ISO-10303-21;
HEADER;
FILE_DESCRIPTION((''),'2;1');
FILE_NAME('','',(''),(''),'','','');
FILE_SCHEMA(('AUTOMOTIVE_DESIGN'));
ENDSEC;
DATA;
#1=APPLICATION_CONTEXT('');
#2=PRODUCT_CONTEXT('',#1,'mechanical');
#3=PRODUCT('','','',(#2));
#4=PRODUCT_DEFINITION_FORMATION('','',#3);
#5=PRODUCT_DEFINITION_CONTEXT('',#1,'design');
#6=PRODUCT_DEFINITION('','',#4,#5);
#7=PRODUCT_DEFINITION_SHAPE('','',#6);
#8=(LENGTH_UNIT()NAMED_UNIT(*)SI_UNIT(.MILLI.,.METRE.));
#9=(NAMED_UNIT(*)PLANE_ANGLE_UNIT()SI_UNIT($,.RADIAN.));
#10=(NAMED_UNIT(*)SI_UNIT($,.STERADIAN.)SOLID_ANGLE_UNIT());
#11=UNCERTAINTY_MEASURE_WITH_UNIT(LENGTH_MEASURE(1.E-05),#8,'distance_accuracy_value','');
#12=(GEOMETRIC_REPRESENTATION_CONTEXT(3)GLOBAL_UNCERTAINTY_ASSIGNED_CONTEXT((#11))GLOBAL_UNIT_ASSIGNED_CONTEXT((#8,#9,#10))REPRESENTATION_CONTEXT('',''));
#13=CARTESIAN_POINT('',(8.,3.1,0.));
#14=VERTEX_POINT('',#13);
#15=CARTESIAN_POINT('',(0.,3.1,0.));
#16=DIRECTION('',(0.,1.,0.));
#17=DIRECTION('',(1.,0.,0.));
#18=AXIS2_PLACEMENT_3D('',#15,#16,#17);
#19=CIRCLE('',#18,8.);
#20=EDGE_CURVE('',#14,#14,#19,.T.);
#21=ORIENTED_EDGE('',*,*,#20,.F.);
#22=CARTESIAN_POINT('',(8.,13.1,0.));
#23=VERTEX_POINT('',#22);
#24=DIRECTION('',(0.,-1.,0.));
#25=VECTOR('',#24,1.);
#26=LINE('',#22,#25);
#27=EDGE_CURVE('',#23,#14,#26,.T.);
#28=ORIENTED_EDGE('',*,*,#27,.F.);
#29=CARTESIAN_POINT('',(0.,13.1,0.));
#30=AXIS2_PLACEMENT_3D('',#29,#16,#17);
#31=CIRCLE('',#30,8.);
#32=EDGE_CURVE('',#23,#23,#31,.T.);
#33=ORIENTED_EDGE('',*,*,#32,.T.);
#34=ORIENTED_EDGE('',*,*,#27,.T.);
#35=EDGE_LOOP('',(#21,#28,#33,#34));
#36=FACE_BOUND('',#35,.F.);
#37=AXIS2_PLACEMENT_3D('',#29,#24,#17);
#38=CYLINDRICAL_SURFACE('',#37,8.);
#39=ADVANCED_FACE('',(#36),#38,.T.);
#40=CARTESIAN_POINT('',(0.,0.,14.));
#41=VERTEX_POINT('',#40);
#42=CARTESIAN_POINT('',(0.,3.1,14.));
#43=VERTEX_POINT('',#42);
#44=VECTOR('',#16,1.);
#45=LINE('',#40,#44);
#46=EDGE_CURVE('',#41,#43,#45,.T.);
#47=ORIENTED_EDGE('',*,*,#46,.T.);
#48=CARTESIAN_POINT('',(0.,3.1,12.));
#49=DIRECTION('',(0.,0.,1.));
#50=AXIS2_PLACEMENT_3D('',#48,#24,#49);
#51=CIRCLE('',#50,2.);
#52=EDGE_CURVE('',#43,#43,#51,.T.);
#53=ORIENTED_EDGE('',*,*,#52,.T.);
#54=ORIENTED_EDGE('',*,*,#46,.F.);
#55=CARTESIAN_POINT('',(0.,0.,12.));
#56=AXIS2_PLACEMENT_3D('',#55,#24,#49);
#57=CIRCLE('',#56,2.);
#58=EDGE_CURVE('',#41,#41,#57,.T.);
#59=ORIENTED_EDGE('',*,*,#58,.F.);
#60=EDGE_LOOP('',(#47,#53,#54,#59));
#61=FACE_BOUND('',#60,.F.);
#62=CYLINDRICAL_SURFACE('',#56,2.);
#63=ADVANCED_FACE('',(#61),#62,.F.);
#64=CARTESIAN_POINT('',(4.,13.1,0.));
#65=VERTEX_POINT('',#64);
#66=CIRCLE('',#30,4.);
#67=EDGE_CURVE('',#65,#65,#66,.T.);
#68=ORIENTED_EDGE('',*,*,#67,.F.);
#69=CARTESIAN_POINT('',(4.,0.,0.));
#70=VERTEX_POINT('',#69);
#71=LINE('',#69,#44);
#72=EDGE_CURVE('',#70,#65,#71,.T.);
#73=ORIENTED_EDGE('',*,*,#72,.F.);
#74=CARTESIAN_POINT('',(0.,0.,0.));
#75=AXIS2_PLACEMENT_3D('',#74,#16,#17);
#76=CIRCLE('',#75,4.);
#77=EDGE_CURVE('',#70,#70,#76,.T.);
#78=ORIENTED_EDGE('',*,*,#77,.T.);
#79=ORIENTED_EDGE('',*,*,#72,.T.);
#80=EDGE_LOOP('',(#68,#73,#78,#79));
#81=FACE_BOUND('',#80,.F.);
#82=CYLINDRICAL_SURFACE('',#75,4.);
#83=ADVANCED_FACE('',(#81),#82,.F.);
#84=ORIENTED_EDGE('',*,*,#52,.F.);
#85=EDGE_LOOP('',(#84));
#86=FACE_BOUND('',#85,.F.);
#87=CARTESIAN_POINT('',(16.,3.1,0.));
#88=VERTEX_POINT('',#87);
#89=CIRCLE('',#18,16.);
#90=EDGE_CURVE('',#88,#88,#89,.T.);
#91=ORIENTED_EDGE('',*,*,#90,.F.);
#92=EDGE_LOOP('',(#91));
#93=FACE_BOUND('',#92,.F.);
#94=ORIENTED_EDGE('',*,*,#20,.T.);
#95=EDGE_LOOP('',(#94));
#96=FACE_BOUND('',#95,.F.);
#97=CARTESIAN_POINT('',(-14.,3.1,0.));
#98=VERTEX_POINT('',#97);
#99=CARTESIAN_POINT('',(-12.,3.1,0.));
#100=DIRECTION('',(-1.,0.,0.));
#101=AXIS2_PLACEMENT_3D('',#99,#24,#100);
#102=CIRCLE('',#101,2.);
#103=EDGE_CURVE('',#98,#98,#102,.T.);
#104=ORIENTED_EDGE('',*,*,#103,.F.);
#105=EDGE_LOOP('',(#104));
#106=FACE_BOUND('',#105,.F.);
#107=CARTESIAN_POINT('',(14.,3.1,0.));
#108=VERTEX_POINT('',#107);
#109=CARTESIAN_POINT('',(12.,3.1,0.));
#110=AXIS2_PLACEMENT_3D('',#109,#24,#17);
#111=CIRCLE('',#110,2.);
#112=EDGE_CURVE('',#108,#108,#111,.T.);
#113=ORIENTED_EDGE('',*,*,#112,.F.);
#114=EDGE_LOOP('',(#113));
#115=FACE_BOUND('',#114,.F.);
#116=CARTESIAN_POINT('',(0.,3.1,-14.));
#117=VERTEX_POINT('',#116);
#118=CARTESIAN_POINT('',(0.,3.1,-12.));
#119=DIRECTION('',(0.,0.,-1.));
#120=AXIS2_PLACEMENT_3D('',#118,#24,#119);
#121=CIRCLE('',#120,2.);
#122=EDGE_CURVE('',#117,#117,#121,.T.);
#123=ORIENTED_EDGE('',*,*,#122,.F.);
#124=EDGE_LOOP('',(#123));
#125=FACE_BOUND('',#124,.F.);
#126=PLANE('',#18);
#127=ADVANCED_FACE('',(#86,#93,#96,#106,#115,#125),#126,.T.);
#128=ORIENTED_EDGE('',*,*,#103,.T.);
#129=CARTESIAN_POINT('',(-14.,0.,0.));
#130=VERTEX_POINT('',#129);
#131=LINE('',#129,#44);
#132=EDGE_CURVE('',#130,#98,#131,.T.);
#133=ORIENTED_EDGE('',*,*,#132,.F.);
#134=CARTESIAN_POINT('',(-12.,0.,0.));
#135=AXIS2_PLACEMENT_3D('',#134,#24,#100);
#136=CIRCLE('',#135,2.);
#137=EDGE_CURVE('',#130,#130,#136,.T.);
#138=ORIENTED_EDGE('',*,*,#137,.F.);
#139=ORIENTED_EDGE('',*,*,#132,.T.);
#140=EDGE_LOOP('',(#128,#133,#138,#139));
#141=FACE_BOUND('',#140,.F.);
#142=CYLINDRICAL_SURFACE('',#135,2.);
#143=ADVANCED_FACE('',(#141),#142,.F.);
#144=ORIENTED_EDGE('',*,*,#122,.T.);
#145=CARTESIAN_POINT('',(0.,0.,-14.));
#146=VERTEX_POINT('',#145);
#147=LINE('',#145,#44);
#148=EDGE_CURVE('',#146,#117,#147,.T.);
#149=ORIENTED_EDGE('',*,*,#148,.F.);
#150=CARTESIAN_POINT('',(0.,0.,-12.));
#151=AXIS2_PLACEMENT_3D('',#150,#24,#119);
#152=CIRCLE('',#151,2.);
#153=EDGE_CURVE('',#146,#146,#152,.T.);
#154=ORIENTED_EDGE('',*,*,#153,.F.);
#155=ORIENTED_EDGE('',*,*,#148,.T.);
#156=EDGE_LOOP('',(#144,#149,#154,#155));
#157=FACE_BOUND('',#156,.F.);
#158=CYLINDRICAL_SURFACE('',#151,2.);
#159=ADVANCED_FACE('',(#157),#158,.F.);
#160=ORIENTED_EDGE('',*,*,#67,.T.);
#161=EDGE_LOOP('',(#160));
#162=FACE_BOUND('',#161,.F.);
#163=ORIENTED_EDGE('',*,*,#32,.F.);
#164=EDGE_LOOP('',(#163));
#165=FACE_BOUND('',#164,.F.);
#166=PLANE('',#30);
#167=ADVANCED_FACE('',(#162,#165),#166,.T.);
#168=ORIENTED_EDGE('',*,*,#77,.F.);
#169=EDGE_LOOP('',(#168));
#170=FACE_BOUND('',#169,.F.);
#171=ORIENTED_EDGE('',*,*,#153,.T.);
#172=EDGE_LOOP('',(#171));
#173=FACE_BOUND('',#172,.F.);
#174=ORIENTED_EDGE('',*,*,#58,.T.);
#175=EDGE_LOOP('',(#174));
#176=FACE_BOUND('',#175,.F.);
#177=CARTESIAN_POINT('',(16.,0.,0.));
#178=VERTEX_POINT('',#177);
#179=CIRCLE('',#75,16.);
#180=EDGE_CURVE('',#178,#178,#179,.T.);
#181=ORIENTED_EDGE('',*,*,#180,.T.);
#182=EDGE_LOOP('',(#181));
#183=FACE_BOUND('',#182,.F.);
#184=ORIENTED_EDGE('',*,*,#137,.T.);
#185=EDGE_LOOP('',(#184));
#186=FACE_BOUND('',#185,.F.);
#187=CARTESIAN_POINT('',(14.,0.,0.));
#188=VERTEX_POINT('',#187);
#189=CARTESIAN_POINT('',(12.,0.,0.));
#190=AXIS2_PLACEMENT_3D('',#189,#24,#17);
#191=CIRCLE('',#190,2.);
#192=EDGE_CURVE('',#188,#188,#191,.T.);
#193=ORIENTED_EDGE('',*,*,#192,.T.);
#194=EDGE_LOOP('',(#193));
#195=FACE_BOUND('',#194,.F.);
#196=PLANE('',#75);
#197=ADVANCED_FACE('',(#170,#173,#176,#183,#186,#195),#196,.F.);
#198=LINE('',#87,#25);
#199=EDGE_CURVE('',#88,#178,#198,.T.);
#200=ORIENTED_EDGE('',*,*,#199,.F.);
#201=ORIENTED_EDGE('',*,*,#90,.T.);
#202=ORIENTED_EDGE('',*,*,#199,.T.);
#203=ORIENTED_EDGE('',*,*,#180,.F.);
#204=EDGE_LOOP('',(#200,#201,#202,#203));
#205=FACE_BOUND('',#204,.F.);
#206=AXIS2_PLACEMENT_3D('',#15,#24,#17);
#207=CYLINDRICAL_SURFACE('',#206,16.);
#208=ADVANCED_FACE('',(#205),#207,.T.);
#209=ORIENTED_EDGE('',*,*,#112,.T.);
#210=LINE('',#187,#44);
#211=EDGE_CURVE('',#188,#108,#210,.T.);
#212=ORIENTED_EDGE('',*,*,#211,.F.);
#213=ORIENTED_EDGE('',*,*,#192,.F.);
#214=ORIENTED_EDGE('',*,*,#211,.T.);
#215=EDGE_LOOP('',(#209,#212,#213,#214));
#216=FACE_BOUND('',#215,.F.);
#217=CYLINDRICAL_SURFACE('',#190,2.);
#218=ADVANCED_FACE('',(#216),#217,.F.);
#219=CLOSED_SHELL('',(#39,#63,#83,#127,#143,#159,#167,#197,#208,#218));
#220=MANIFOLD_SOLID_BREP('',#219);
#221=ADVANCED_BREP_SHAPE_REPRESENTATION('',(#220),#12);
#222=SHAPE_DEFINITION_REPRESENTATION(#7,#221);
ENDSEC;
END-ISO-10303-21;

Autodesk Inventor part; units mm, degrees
ref_plane "YZ Plane" through (0, 0, 0) normal (1, 0, 0) x (0, 1, 0)
ref_plane "XZ Plane" through (0, 0, 0) normal (0, 1, 0) x (-1, 0, 0)
ref_plane "XY Plane" through (0, 0, 0) normal (0, 0, 1) x (1, 0, 0)
sketch "Sketch1" plane through (0, 0, 0) normal (0, 0, 1) x (1, 0, 0)
  line L0 (0, 0) -> (0, 13.1) construction
  line L1 (4, 0) -> (4, 13.1)
  line L2 (4, 13.1) -> (8, 13.1)
  line L3 (8, 13.1) -> (8, 3.1)
  line L4 (8, 3.1) -> (16, 3.1)
  line L5 (16, 3.1) -> (16, 0)
  line L6 (16, 0) -> (4, 0)
  point P0 (8, 8.1)
  point P1 (8, 8.1)
  dimension "d0" = 13.1
  dimension "d1" = 10
  dimension "d2" = 3.1
  dimension "d3" = 32
  dimension "d4" = 16
  dimension "d5" = 8
revolve "Revolution1" add sketch "Sketch1" angle 360 about axis through (0, 0, 0) along (0, 1, 0)
sketch "Sketch2" plane through (0, 0, 0) normal (0, -1, 0) x (1, 0, 0)
  circle A0 centre (12, 0) radius 2
  line L0 (13.9571, 0.4121) -> (15.9947, 0.4121) construction
  circle A1 centre (0, 0) radius 16 construction
  line L1 (0, 0) -> (9.3261, 0) construction
  dimension "d7" = 4
  dimension "d26" = 12
extrude "MountHole" cut sketch "Sketch2" against normal through all
pattern_circular "Circular Pattern1" count 4 over 360 about axis through (0, 6.55, 0) along (0, -1, 0) of "MountHole"
equation "\"d0\" = flangeCoupling_height"
equation "\"d1\" = flangeCoupling_collarHeight"
equation "\"d2\" = flangeCoupling_flangeHeight"
equation "\"d3\" = flangeCoupling_flangeDiameter"
equation "\"d4\" = flangeCoupling_collarOuterDiameter"
equation "\"d5\" = flangeCoupling_innerDiameter"
equation "\"d7\" = flangeCoupling_mountHoleDiameter + gap"
equation "\"d26\" = flangeCoupling_mountHoleCenterToCouplingCenter"
equation "\"gap\" = 0.1"
equation "\"airgap\" = 0.4"
equation "\"wallgap\" = 2"
equation "\"driveMagnet_height\" = 5"
equation "\"halbachMagnet_height\" = 3"
equation "\"rotorBandBolt_diameter\" = 2"
equation "\"rotorBandBolt_headDiameter\" = 3.98"
equation "\"rotorBandBolt_headHeight\" = 2"
equation "\"rotorBandHexNut_sideToSide\" = 4"
equation "\"rotorBandHexNut_height\" = 1.2"
equation "\"rotorBandSquareNut_sideLength\" = 4"
equation "\"rotorBandSquareNut_height\" = 1.2"
equation "\"sensorMagnet_diameter\" = 5"
equation "\"sensorMagnet_height\" = 2.66667"
equation "\"rotorRadius\" = 2 * gap + driveMagnet_centerSpacingRadius + driveMagnet_length + wallgap"
equation "\"rotor_mountingLipHeight\" = 0.5 * statorThickness"
equation "\"shaftDiameter\" = 8"
equation "\"flangeBearing_innerDiameter\" = shaftDiameter"
equation "\"flangeBearing_outerDiameter\" = 16"
equation "\"flangeBearing_flangeDiameter\" = 18"
equation "\"flangeBearing_height\" = 5"
equation "\"flangeBearing_flangeHeight\" = 1"
equation "\"statorThickness\" = coilThickness + 2 * wallgap"
equation "\"rotorBandThickness\" = wallgap + rotorBandBolt_headHeight + gap"
equation "\"flangeCoupling_innerDiameter\" = shaftDiameter"
equation "\"flangeCoupling_collarOuterDiameter\" = 16"
equation "\"flangeCoupling_flangeDiameter\" = 32"
equation "\"flangeCoupling_collarHeight\" = 10"
equation "\"flangeCoupling_flangeHeight\" = 3.1"
equation "\"flangeCoupling_flangeHoleDiameter\" = 3.9"
equation "\"flangeCoupling_flangeHoleEdgeToEdge\" = 2.05"
equation "\"flangeCoupling_height\" = flangeCoupling_collarHeight + flangeCoupling_flangeHeight"
equation "\"flangeCoupling_mountHoleDiameter\" = 3.9"
equation "\"flangeCoupling_mountHoleEdgeToEdge\" = 2.05"
equation "\"statorRadius\" = driveMagnet_length + driveMagnet_centerSpacingRadius + 2 * gap"
equation "\"coilThickness\" = 12"
equation "\"statorMountBolt_diameter\" = 4"
equation "\"statorMountBolt_headDiameter\" = 7"
equation "\"statorMountBolt_headHeight\" = 4"
equation "\"statorMountBolt_shaftLength\" = coilThickness + flangeCoupling_flangeHeight + wallgap"
equation "\"statorMountHexNut_height\" = 4"
equation "\"statorMountHexNut_sideToSide\" = 8"
equation "\"sensorMagnet_ringRadius\" = 0.5 * driveMagnet_centerSpacingRadius + 2 * wallgap"
equation "\"coil_percentCoverage\" = 0.6"
equation "\"statorSpokeDegrees\" = 4deg"
equation "\"coil_bulge\" = 3"
equation "\"statorCoilHexNut_height\" = 1.2"
equation "\"statorCoilBolt_headHeight\" = 2"
equation "\"statorCoilBolt_diameter\" = 2"
equation "\"statorCoilBolt_headDiameter\" = 3.98"
equation "\"statorCoilHexNut_sideToSide\" = 4"
equation "\"magnetWire_outerDiameter\" = 0.8128"
equation "\"printingLayerHeight\" = 0.2"
equation "\"circuitBoard_height\" = 1.6"
equation "\"hallEffectSensor_width\" = 1.6"
equation "\"hallEffectSensor_length\" = 3"
equation "\"hallEffectSensor_height\" = 1.1"
equation "\"hallEffectSensor_pinLength\" = 0.6"
equation "\"circuitboardMountHexNut_height\" = 1.2"
equation "\"circuitboardMountHexNut_sideToSide\" = 4"
equation "\"circuitboardMountBolt_headHeight\" = 2"
equation "\"circuitboardMountBolt_shaftLength\" = coilThickness"
equation "\"circuitboardMountBolt_diameter\" = 2"
equation "\"circuitboardMountBolt_headDiameter\" = 3.98"
equation "\"statorShellBolt_headDiameter\" = 5.68"
equation "\"statorShellHexNut_height\" = 2.3"
equation "\"statorShellBolt_shaftLength\" = statorThickness - statorShellBolt_countersinkDepth"
equation "\"statorShellBolt_headHeight\" = 3"
equation "\"statorShellHexNut_sideToSide\" = 5.3"
equation "\"statorShellBolt_diameter\" = 3"
equation "\"flangeCoupling_mountHoleCenterToCouplingCenter\" = 12"
equation "\"driveMagnet_centerSpacingRadius\" = 38.96113"
equation "\"driveMagnet_length\" = 60"
equation "\"statorShellBolt_countersinkDepth\" = 3.4"
properties part number "FlangeCoupling" material "Steel, Mild"
